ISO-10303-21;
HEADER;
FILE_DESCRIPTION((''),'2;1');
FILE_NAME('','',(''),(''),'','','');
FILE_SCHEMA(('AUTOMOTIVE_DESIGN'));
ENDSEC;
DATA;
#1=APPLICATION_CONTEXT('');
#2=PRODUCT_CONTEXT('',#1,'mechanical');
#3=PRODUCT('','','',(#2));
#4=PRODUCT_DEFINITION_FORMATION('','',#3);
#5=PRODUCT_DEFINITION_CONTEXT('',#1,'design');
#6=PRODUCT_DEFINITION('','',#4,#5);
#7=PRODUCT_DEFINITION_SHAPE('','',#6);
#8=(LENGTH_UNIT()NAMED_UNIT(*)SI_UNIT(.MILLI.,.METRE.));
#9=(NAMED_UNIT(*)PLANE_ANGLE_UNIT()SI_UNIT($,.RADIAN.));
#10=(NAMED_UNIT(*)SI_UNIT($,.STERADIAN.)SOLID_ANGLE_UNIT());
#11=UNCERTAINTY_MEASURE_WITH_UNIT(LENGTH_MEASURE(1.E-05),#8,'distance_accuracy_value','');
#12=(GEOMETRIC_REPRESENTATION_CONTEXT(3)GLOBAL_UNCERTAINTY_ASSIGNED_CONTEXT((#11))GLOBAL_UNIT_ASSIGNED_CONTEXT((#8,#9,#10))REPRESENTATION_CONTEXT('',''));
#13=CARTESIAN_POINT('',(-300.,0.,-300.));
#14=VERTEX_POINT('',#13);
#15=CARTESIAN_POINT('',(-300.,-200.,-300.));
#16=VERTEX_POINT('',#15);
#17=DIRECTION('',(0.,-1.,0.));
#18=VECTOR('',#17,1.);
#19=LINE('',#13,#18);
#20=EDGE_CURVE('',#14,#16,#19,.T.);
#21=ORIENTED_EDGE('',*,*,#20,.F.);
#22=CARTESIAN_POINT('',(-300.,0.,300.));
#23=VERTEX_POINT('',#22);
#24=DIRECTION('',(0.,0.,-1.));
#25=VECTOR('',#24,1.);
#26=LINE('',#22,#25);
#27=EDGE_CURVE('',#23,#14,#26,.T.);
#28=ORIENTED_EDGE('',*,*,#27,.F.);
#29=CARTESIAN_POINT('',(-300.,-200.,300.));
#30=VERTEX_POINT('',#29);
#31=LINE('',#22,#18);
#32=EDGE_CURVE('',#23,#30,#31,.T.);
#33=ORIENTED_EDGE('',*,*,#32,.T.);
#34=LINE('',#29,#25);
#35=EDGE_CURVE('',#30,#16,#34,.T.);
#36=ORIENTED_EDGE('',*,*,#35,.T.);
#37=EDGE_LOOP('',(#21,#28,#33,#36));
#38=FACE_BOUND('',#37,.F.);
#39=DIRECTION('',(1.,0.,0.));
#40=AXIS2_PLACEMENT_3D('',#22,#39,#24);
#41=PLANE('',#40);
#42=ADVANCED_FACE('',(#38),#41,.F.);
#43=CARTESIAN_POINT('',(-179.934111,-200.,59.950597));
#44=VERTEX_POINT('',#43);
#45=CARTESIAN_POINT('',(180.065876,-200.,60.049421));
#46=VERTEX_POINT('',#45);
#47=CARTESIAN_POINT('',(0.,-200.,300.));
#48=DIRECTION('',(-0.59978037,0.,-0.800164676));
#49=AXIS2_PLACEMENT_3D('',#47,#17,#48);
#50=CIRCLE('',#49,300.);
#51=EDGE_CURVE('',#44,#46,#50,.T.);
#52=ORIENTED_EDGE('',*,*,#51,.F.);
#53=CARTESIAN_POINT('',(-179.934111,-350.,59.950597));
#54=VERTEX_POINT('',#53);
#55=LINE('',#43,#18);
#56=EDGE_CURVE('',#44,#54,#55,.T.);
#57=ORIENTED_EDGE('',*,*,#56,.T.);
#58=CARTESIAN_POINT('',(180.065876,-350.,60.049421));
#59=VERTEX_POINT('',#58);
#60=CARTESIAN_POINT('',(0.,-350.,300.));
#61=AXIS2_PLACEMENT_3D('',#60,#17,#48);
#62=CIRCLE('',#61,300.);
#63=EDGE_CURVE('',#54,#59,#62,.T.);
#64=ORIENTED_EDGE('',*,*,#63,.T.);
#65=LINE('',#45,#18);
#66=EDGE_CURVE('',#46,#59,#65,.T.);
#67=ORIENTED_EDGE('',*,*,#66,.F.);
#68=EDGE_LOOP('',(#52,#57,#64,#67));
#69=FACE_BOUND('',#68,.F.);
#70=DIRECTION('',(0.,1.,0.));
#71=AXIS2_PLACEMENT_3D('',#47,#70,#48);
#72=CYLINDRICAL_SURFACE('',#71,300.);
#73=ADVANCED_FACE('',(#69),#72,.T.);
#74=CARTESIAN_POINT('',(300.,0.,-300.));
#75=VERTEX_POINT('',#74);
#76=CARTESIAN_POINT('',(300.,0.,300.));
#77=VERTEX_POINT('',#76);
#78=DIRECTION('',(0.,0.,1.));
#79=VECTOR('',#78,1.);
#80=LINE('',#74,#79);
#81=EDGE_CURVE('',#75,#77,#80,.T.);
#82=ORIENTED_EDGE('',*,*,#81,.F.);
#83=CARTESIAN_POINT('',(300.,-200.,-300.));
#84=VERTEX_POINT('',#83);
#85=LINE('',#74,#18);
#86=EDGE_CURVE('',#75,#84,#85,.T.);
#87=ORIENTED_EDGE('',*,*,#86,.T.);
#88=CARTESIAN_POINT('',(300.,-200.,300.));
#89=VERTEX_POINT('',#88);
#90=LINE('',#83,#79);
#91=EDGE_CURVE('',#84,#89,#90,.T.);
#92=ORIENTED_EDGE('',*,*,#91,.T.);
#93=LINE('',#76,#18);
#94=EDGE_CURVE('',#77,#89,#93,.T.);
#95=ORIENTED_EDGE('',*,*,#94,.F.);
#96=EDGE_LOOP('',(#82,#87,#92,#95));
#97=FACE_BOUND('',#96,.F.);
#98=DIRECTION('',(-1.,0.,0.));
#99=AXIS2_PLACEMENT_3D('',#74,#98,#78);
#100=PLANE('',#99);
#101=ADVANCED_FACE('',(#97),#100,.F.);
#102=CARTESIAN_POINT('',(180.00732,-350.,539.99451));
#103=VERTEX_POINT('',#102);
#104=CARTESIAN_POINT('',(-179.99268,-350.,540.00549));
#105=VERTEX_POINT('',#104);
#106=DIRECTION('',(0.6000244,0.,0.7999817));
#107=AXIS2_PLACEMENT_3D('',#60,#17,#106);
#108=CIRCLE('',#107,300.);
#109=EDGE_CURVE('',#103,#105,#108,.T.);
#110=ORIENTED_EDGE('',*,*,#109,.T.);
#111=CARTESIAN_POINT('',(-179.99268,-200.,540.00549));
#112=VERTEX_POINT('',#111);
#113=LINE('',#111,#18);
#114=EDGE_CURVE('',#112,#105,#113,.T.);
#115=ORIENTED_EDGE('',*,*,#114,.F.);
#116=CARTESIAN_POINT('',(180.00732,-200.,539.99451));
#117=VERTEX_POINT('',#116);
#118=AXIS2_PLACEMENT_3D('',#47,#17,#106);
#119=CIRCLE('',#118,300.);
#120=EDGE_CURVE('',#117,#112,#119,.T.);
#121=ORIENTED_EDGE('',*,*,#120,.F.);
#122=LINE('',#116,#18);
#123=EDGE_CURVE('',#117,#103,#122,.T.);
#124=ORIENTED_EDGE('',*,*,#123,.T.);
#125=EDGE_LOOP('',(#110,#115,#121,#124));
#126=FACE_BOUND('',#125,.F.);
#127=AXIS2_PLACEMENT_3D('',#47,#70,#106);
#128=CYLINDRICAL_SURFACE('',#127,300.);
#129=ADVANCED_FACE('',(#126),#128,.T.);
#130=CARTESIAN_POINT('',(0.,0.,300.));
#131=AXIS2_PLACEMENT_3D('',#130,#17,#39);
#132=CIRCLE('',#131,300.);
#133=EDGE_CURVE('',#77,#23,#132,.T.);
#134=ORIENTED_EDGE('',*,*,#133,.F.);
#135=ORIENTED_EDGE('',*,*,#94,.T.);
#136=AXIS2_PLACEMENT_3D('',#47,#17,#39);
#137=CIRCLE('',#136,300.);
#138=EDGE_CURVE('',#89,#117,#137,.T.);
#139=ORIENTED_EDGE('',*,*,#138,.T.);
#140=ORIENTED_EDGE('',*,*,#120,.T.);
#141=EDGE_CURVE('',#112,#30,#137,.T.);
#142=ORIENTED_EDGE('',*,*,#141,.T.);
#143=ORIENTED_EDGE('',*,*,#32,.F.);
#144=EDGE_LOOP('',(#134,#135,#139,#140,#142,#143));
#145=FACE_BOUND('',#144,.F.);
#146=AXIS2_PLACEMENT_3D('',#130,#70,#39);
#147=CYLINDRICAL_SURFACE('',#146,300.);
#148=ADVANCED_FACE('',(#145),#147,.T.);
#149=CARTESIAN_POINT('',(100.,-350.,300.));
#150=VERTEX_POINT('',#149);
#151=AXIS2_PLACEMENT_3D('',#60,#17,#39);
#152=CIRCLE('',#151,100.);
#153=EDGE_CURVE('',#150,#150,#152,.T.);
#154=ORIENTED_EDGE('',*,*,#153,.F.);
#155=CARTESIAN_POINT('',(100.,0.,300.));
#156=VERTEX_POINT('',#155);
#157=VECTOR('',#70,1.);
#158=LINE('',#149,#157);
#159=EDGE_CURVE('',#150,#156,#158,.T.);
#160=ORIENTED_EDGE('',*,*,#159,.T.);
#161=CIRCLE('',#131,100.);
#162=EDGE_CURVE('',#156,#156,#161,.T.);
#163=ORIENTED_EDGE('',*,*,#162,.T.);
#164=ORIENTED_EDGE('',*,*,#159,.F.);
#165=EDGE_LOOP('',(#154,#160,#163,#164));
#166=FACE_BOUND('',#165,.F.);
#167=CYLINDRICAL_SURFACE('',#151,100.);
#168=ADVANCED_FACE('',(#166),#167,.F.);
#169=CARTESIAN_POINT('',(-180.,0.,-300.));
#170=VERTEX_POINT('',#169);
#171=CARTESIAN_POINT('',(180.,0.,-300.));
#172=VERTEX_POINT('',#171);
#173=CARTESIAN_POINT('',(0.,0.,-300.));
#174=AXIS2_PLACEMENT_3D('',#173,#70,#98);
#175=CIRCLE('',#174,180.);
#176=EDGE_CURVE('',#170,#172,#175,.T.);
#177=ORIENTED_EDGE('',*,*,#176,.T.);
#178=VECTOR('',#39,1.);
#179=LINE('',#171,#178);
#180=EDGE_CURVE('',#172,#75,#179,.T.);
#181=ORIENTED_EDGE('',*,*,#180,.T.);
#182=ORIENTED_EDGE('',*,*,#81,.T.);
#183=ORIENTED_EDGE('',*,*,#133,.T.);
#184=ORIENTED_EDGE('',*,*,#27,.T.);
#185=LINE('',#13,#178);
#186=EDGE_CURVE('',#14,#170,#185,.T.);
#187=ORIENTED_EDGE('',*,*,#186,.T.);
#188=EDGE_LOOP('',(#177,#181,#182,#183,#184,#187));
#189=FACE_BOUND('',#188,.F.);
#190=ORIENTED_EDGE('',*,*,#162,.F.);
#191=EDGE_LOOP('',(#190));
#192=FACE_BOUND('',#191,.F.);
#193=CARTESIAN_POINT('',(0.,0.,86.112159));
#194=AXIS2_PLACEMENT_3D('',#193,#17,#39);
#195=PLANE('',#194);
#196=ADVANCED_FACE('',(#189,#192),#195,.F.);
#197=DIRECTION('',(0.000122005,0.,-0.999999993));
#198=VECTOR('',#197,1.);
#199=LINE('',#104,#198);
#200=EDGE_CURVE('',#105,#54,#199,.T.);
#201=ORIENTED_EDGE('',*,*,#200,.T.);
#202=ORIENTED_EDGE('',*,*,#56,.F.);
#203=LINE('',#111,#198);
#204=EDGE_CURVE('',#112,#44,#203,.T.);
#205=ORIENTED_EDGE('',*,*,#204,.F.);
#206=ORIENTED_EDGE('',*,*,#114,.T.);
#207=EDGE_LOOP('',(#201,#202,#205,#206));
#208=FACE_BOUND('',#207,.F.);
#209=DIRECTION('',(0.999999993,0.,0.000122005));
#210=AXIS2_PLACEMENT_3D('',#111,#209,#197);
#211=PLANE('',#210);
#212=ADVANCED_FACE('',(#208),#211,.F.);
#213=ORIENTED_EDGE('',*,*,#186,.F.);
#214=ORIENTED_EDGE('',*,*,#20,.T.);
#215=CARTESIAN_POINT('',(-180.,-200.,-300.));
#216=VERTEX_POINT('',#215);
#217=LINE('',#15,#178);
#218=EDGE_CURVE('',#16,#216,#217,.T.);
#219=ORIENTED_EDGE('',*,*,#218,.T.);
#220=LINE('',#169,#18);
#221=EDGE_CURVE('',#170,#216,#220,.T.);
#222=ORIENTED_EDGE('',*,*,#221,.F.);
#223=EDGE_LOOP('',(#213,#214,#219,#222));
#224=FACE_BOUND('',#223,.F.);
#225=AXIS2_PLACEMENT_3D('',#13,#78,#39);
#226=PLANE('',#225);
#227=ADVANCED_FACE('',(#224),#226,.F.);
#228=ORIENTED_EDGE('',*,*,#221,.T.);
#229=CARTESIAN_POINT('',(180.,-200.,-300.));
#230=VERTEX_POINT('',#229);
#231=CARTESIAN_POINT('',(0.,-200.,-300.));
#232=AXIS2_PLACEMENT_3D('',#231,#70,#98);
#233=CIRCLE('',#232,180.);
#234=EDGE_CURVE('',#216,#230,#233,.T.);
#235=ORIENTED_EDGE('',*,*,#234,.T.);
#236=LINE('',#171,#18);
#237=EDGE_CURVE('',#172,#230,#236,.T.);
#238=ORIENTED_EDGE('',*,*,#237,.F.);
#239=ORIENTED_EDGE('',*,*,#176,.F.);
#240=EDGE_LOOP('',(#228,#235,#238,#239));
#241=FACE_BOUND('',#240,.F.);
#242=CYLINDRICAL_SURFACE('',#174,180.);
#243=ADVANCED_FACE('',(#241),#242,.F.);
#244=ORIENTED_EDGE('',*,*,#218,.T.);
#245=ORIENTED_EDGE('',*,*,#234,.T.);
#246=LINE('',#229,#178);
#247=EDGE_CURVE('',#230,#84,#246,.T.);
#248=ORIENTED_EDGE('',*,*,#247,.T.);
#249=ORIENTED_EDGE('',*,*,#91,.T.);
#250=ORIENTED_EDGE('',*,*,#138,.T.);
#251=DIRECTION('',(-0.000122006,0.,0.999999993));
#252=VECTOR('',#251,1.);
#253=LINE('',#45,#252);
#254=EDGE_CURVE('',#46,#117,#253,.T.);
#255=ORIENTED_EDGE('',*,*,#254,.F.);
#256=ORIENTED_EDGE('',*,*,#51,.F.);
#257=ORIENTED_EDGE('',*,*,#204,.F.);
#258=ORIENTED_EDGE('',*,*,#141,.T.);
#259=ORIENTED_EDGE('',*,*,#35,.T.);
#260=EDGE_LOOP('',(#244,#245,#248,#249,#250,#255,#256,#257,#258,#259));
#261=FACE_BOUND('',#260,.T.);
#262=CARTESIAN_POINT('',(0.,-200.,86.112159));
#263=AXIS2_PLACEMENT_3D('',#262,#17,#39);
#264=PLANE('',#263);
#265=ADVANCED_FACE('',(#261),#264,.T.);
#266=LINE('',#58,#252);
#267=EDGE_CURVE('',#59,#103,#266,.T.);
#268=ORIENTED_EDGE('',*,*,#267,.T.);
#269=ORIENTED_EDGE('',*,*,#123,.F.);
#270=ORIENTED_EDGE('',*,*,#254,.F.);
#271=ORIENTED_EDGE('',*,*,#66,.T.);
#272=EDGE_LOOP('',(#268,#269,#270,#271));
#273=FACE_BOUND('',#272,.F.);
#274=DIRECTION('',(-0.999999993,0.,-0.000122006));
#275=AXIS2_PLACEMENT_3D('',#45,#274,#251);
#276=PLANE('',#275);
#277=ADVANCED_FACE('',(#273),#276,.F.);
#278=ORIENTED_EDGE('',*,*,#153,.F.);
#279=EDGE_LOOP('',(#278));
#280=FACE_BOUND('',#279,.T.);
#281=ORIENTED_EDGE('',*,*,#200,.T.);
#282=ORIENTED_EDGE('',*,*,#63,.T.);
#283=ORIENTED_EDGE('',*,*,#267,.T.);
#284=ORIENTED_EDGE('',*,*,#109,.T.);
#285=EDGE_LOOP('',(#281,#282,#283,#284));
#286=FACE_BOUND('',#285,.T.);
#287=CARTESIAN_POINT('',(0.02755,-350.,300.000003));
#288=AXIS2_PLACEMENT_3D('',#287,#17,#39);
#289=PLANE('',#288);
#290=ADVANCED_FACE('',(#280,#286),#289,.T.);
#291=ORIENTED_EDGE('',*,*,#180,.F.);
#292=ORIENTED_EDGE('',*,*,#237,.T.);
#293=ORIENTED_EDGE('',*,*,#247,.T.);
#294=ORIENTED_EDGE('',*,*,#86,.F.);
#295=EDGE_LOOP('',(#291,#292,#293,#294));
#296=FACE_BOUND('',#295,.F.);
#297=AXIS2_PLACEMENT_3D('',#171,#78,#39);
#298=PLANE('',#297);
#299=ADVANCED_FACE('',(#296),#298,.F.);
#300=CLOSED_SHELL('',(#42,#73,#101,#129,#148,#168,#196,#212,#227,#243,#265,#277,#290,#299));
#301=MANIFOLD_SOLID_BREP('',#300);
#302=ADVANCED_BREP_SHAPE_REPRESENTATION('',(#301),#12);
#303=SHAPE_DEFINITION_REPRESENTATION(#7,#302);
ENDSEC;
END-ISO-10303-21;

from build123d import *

# Parameters (mm, degrees)
F1_DEPTH = 200
F3_DEPTH = 150
F4_R     = 100
F5_DEPTH = 350.001


with BuildPart() as f1:
    # F0 (on Front) → F1 (new body)
    with BuildSketch(Plane.XZ):
        with BuildLine():
            Line((-300, 300), (-300, -300))
            Line((-300, -300), (-180, -300))
            ThreePointArc((-180, -300), (0, -120), (180, -300))
            Line((180, -300), (300, -300))
            Line((300, -300), (300, 300))
            ThreePointArc((300, 300), (0, 600), (-300, 300))
        make_face()
    extrude(amount=F1_DEPTH)

    # F2 (on face) → F3 (join)
    with BuildSketch(Plane.XZ.offset(200)):
        with BuildLine():
            Line((-179.99268, 540.00549), (-179.934111, 59.950597))
            ThreePointArc((-179.934111, 59.950597), (0.082353, 1.1e-05), (180.065876, 60.049421))
            Line((180.065876, 60.049421), (180.00732, 539.99451))
            ThreePointArc((180.00732, 539.99451), (0.00915, 600), (-179.99268, 540.00549))
        make_face()
    extrude(amount=F3_DEPTH)

    # F4 (on face) → F5 (cut, through all)
    with BuildSketch(Plane.XZ.offset(350)):
        with Locations((0, 300)):
            Circle(F4_R)
    extrude(amount=-F5_DEPTH, mode=Mode.SUBTRACT)


solid = f1.part
